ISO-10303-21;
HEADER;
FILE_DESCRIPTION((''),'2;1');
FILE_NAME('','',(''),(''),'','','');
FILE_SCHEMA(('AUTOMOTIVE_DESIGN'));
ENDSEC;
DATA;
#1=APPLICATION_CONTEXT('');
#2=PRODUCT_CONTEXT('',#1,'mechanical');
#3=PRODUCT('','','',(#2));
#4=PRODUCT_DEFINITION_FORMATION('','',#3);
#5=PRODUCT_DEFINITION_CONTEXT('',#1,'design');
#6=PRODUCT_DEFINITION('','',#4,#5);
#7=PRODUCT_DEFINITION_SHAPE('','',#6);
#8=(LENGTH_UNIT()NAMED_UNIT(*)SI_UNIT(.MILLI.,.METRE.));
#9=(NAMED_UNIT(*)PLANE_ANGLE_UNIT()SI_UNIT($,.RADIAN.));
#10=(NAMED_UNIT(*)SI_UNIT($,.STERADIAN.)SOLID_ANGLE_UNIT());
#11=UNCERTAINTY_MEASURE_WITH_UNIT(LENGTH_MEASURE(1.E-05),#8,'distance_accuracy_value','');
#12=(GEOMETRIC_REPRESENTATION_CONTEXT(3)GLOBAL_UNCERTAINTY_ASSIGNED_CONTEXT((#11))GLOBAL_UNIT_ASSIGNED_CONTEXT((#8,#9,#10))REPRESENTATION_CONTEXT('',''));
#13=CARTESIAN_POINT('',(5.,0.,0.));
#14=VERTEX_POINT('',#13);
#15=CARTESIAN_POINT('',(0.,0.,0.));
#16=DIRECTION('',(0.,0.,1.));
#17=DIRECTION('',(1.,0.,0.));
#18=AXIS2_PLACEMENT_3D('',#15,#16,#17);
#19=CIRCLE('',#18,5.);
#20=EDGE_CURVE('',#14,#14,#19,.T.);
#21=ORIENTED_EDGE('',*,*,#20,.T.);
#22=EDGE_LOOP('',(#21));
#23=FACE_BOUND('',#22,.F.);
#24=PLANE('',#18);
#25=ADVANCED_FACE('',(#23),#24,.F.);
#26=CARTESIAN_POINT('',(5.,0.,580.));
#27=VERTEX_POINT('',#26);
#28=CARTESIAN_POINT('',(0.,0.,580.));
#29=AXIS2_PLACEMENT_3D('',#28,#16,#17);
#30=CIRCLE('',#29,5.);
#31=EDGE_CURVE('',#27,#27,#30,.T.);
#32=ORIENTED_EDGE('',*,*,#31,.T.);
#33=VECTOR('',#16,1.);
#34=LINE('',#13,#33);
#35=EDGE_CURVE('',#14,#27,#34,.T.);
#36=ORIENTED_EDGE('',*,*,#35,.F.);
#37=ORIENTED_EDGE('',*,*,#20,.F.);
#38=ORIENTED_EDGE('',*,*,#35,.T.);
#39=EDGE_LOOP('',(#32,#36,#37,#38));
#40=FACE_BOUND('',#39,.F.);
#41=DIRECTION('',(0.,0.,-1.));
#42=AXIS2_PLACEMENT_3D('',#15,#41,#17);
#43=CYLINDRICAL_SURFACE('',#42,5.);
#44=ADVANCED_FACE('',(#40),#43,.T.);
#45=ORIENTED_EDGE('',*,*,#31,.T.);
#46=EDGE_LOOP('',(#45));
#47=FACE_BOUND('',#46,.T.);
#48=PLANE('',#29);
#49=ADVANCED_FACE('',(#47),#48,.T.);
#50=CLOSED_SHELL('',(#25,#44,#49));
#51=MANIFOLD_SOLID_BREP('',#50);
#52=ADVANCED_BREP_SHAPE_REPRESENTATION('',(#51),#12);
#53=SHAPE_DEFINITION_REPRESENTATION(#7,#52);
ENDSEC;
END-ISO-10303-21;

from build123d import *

# Parameters (mm, degrees)
ESQUISSE1_R        = 5
BOSS_EXTRU_1_DEPTH = 580


with BuildPart() as part:
    # Esquisse1 → Boss.-Extru.1 (new body)
    with BuildSketch(Plane.XY):
        Circle(ESQUISSE1_R)
    extrude(amount=BOSS_EXTRU_1_DEPTH)


solid = part.part
